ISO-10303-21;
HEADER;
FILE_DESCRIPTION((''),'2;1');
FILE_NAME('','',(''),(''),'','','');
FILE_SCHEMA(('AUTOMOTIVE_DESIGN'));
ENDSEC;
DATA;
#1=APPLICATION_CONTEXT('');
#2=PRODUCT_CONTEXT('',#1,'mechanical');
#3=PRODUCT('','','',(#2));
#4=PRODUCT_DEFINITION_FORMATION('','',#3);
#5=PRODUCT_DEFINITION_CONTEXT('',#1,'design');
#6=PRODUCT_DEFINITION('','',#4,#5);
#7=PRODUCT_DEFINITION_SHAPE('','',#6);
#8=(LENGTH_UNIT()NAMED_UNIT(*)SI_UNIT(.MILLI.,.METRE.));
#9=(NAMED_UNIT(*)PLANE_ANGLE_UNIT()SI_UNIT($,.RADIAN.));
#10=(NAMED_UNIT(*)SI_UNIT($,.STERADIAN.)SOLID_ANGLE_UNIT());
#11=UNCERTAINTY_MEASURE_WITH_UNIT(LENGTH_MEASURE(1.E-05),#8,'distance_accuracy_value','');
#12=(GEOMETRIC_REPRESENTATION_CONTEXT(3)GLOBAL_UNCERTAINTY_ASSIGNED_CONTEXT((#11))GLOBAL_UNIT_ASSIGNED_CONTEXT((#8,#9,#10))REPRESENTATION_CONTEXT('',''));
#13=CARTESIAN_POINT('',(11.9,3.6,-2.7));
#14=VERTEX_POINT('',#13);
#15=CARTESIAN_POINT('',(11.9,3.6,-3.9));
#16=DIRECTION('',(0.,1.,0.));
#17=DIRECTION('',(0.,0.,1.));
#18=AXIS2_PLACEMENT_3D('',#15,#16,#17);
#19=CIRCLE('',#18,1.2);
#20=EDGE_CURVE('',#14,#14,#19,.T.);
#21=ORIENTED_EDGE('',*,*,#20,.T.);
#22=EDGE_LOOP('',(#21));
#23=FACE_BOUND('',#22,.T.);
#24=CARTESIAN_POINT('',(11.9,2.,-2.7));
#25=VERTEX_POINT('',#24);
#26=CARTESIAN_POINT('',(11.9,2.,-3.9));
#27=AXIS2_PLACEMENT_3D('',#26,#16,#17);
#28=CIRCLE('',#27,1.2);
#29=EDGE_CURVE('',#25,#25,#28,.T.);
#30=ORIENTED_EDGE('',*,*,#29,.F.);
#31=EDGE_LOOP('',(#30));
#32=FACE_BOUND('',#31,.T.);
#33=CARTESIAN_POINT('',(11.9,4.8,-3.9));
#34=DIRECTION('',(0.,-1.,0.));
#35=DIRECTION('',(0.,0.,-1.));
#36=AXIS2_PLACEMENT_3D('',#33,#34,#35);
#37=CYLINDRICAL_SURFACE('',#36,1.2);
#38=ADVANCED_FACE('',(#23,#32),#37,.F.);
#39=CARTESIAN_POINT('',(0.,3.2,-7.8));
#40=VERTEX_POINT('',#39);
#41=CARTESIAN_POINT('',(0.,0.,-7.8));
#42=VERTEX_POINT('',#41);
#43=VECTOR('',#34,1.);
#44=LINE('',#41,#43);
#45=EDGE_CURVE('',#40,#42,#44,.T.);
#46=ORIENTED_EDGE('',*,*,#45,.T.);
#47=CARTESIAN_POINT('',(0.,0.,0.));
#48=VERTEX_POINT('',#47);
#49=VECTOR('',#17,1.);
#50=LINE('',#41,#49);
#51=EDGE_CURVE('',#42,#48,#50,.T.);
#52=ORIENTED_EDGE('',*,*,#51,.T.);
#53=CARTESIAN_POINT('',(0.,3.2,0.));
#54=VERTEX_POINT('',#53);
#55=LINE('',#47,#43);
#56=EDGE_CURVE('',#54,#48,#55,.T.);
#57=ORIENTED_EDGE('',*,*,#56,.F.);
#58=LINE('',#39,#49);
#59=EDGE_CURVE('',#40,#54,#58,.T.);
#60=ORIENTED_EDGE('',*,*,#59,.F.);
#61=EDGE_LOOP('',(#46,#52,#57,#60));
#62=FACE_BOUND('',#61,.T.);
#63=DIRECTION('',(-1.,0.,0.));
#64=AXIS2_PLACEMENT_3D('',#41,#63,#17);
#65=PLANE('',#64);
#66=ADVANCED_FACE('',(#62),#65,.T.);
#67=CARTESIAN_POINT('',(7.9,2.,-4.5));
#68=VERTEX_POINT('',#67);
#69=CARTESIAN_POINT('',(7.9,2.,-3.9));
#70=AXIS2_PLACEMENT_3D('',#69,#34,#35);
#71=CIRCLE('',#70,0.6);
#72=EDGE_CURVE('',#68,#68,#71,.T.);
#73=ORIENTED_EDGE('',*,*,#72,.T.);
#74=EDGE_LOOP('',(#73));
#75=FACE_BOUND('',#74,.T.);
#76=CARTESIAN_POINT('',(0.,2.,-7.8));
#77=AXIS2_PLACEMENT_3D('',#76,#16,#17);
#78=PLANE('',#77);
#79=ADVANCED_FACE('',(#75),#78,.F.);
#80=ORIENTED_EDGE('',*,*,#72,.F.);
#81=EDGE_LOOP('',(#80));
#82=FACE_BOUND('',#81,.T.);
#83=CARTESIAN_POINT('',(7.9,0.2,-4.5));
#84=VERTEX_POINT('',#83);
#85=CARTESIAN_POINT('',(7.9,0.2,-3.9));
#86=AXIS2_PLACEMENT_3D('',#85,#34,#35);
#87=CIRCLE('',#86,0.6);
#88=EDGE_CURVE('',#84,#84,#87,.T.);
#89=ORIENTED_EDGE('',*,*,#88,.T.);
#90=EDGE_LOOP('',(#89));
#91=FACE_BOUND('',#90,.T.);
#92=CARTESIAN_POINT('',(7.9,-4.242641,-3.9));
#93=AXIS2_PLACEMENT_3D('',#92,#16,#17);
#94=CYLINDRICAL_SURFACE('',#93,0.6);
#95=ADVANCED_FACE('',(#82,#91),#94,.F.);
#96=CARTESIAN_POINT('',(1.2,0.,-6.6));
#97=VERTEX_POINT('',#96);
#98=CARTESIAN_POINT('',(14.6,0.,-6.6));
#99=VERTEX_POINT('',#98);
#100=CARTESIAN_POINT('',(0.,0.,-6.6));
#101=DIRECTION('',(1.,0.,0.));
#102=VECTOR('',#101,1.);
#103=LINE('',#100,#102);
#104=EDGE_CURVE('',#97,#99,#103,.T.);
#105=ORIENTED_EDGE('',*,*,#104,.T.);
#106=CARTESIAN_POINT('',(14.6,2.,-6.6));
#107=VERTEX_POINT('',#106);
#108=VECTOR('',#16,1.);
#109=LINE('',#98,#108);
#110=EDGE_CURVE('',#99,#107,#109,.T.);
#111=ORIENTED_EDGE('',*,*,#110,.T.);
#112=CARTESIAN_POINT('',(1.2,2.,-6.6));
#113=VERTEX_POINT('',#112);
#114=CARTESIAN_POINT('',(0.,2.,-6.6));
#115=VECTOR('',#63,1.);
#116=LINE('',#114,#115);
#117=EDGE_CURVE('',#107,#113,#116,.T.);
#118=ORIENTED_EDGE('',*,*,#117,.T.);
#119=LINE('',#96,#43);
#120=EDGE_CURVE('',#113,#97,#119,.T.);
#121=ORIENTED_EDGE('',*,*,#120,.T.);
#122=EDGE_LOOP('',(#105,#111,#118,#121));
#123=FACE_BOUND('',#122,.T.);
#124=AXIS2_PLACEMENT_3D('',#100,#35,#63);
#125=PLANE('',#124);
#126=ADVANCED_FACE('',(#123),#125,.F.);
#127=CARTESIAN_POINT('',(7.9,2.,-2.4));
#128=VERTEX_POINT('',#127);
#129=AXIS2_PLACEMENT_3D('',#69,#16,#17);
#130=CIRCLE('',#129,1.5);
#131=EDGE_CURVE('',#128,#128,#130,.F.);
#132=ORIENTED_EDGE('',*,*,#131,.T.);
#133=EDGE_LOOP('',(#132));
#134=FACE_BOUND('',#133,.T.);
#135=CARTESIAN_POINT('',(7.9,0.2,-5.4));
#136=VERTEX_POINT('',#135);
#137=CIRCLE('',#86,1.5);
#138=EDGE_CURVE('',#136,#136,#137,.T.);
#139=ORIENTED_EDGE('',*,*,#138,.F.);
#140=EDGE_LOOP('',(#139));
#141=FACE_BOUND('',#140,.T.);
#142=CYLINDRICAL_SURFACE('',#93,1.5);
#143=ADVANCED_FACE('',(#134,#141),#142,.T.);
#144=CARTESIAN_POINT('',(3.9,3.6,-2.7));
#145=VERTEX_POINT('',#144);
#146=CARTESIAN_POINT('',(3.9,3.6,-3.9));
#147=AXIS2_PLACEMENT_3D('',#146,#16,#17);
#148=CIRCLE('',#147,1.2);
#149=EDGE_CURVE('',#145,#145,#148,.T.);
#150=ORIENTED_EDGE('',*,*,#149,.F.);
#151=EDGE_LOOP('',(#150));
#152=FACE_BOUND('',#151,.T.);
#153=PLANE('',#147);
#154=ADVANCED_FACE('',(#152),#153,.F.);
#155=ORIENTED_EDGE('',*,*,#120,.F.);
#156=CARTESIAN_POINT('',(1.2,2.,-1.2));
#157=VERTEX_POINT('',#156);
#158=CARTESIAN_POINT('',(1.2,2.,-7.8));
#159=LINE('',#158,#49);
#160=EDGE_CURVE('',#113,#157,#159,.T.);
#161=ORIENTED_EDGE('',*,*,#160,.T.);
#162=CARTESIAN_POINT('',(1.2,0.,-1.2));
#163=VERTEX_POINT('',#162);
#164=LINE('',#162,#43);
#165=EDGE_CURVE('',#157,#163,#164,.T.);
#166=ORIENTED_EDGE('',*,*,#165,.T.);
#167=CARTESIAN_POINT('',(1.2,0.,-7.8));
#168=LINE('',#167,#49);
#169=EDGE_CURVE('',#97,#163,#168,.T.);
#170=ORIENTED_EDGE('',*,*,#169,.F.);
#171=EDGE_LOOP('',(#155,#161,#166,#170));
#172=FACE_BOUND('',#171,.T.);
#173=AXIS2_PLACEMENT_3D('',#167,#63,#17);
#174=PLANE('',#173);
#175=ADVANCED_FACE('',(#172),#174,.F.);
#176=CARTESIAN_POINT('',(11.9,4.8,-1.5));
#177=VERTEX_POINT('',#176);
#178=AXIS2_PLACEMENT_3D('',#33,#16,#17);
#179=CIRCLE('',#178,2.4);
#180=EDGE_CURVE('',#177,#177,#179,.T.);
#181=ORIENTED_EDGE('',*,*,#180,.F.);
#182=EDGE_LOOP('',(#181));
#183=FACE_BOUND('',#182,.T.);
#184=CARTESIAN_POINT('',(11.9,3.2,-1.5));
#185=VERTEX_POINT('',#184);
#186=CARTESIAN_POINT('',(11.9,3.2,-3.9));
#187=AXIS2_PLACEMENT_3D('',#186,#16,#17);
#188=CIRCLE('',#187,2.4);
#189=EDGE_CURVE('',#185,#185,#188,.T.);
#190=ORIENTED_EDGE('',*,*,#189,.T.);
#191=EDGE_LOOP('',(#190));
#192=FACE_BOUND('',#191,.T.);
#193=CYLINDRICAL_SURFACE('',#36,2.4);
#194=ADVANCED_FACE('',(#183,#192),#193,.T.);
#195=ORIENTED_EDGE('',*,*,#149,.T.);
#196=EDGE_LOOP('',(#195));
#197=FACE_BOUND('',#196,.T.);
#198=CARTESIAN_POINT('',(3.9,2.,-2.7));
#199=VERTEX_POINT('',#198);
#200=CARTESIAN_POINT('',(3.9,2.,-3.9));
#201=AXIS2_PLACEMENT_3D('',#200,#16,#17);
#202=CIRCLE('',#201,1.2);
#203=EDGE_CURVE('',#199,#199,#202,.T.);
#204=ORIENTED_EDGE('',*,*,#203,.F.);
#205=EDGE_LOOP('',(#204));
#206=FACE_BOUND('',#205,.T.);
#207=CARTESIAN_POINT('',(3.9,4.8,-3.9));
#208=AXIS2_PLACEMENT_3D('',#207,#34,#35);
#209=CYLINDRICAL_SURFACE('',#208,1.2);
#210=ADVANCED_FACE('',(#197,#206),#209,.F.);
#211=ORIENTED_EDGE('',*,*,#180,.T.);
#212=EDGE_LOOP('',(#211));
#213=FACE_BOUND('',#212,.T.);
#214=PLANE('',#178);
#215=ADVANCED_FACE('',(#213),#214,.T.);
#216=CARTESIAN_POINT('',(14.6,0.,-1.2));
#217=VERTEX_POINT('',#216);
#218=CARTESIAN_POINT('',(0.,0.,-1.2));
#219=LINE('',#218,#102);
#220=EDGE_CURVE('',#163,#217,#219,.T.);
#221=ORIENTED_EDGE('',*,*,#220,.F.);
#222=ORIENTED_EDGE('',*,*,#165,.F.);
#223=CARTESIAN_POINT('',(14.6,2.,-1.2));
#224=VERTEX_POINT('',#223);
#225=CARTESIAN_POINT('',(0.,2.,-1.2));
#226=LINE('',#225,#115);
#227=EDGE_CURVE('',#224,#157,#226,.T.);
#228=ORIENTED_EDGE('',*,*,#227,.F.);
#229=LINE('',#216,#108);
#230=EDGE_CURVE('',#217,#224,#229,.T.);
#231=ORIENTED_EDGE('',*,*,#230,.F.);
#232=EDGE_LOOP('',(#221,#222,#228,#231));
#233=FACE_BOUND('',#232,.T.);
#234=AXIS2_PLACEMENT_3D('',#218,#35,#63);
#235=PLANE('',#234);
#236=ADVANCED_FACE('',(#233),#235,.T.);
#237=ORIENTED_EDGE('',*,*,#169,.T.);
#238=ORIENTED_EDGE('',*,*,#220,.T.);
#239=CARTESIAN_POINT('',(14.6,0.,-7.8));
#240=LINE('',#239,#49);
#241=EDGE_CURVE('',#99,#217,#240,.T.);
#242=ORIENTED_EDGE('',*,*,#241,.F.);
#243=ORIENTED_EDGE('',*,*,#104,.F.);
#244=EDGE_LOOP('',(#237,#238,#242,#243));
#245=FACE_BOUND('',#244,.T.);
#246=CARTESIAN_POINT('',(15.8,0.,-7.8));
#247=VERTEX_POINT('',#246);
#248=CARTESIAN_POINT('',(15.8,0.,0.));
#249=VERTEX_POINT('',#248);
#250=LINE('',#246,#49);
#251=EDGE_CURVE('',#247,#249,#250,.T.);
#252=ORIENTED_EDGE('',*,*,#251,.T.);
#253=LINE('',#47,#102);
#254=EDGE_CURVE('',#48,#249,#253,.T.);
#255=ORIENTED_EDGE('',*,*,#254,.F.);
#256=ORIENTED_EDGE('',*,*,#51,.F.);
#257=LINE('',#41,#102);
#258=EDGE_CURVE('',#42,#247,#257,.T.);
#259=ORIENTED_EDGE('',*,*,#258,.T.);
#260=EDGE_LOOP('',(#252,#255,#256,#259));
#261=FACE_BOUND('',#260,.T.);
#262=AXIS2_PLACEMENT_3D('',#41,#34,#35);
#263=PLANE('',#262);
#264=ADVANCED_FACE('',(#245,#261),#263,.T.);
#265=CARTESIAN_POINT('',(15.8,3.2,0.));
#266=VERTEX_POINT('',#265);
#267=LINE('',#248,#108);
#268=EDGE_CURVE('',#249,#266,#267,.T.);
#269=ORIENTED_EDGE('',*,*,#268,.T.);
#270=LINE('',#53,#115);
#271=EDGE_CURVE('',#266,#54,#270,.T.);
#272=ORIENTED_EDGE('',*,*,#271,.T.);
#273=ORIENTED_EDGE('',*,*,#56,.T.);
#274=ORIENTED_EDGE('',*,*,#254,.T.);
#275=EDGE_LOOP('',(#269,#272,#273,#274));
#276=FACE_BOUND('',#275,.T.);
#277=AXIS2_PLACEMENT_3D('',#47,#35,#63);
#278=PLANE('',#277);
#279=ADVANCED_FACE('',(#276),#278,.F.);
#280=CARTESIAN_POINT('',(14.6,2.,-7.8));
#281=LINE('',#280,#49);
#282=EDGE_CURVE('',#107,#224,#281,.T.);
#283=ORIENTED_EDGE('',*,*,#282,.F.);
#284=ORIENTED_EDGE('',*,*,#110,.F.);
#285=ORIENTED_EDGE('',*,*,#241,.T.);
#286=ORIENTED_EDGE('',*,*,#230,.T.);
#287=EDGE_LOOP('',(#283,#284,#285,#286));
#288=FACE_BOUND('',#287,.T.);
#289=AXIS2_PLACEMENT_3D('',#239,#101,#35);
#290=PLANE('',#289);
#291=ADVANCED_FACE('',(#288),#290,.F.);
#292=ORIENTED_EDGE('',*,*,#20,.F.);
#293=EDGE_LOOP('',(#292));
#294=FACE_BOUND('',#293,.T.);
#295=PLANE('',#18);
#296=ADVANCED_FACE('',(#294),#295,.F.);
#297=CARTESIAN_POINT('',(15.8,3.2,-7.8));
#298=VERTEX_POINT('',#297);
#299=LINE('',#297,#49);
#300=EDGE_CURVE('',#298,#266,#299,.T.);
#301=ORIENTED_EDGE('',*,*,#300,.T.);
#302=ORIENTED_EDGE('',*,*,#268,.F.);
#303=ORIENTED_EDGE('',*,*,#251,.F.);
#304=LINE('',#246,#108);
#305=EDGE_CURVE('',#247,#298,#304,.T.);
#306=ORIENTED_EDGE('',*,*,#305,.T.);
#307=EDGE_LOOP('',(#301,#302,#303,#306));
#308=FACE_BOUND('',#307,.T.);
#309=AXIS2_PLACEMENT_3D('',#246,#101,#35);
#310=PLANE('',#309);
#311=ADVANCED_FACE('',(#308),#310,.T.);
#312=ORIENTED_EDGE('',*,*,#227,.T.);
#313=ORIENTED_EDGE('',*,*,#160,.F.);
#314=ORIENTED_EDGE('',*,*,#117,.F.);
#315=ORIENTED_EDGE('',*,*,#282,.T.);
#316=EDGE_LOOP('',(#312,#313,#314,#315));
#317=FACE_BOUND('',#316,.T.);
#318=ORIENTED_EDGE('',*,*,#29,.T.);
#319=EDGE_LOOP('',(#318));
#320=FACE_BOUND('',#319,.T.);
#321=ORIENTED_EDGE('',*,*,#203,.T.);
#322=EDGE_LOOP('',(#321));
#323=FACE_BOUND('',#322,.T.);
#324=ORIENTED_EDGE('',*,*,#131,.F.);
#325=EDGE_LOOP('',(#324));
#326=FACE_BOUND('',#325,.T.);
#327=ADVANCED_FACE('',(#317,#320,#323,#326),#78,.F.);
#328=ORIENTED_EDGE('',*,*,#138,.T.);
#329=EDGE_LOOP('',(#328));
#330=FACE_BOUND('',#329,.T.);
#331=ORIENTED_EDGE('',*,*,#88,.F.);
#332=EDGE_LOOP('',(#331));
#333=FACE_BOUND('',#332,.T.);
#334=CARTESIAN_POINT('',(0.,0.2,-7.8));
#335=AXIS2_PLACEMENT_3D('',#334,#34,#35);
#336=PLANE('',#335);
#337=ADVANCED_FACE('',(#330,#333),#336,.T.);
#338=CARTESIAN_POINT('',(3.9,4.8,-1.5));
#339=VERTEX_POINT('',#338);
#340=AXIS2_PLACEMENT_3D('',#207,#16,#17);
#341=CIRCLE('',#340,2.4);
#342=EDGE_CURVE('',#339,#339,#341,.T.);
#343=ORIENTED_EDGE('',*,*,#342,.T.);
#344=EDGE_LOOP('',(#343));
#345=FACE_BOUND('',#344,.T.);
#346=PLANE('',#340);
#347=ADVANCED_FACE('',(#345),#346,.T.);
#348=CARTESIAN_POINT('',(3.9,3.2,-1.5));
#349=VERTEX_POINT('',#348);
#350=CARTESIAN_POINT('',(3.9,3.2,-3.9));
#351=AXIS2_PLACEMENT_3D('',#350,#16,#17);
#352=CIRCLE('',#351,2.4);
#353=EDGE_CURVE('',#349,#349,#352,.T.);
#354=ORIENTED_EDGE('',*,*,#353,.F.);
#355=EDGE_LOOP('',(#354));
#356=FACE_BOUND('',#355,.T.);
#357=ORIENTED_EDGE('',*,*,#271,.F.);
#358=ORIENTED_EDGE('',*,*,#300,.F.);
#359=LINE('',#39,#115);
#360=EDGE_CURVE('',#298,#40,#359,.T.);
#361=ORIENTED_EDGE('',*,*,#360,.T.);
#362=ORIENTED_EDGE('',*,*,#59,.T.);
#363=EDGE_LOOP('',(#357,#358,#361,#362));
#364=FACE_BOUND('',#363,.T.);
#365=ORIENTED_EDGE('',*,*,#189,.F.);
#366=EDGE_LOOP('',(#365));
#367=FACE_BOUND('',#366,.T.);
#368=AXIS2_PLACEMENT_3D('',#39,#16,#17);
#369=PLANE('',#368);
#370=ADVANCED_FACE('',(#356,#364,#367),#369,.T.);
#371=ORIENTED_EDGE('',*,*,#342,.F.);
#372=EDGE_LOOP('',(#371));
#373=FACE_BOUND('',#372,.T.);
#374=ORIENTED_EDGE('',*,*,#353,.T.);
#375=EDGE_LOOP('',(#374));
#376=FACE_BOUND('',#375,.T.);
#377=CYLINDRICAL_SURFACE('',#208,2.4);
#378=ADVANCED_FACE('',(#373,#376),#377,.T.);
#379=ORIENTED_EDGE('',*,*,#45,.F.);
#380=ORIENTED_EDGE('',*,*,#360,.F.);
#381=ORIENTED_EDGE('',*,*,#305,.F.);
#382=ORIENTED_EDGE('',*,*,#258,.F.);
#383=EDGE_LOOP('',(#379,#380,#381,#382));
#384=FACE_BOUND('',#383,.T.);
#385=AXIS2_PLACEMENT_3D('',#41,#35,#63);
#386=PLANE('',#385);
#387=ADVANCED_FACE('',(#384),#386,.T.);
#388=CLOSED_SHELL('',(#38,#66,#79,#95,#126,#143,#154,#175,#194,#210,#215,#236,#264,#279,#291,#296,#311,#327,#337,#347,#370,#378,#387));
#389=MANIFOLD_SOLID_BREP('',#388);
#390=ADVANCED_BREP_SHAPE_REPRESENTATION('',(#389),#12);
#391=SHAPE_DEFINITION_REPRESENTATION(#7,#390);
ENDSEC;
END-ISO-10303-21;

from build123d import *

# Parameters (mm, degrees)
SKETCH1_W            = 15.8
SKETCH1_H            = 3.2
BOSS_EXTRUDE1_DEPTH  = 7.8
SKETCH2_R            = 2.4
BOSS_EXTRUDE2_DEPTH  = 1.6
LPATTERN1_COUNT      = 2
LPATTERN1_PITCH      = 8
LPATTERN1_COUNT_DIR2 = 6
LPATTERN1_PITCH_DIR2 = 8
SHELL1_T             = -1.2
SKETCH3_R            = 1.5
SKETCH3_R_2          = 0.6
BOSS_EXTRUDE3_DEPTH  = 1.8


with BuildPart() as part:
    # Sketch1 → Boss-Extrude1 (new body)
    with BuildSketch(Plane.XY):
        with Locations((7.9, 1.6)):
            Rectangle(SKETCH1_W, SKETCH1_H)
    extrude(amount=-BOSS_EXTRUDE1_DEPTH)

    # Sketch2 → Boss-Extrude2 (add)
    with BuildSketch(Plane(origin=(0, 3.2, 0), x_dir=(1, 0, 0), z_dir=(0, 1, 0))):
        with Locations(Location((3.9, 3.9, 0), (0, 0, 270))):
            Circle(SKETCH2_R)
    boss_extrude2 = extrude(amount=BOSS_EXTRUDE2_DEPTH)

    # LPattern1: Boss-Extrude2 2 × 6, 10 skipped
    with Locations(*[(j * LPATTERN1_PITCH_DIR2, 0, i * LPATTERN1_PITCH) for i in range(LPATTERN1_COUNT) for j in range(LPATTERN1_COUNT_DIR2) if (i, j) not in ((0, 0), (0, 2), (0, 3), (0, 4), (0, 5), (1, 0), (1, 1), (1, 2), (1, 3), (1, 4), (1, 5))]):
        add(boss_extrude2)

    # Shell1
    shell1_openings = [part.faces().sort_by_distance(p)[0] for p in [
        (7.9, 0, -3.9),
    ]]
    offset(amount=SHELL1_T, openings=shell1_openings, kind=Kind.INTERSECTION)

    # Sketch3 → Boss-Extrude3 (add)
    with BuildSketch(Plane.XZ.offset(-2)):
        with Locations(Location((7.9, -3.9, 0), (0, 0, 90))):
            Circle(SKETCH3_R)
        with Locations(Location((7.9, -3.9, 0), (0, 0, 270))):
            Circle(SKETCH3_R_2, mode=Mode.SUBTRACT)
    extrude(amount=BOSS_EXTRUDE3_DEPTH)


solid = part.part
